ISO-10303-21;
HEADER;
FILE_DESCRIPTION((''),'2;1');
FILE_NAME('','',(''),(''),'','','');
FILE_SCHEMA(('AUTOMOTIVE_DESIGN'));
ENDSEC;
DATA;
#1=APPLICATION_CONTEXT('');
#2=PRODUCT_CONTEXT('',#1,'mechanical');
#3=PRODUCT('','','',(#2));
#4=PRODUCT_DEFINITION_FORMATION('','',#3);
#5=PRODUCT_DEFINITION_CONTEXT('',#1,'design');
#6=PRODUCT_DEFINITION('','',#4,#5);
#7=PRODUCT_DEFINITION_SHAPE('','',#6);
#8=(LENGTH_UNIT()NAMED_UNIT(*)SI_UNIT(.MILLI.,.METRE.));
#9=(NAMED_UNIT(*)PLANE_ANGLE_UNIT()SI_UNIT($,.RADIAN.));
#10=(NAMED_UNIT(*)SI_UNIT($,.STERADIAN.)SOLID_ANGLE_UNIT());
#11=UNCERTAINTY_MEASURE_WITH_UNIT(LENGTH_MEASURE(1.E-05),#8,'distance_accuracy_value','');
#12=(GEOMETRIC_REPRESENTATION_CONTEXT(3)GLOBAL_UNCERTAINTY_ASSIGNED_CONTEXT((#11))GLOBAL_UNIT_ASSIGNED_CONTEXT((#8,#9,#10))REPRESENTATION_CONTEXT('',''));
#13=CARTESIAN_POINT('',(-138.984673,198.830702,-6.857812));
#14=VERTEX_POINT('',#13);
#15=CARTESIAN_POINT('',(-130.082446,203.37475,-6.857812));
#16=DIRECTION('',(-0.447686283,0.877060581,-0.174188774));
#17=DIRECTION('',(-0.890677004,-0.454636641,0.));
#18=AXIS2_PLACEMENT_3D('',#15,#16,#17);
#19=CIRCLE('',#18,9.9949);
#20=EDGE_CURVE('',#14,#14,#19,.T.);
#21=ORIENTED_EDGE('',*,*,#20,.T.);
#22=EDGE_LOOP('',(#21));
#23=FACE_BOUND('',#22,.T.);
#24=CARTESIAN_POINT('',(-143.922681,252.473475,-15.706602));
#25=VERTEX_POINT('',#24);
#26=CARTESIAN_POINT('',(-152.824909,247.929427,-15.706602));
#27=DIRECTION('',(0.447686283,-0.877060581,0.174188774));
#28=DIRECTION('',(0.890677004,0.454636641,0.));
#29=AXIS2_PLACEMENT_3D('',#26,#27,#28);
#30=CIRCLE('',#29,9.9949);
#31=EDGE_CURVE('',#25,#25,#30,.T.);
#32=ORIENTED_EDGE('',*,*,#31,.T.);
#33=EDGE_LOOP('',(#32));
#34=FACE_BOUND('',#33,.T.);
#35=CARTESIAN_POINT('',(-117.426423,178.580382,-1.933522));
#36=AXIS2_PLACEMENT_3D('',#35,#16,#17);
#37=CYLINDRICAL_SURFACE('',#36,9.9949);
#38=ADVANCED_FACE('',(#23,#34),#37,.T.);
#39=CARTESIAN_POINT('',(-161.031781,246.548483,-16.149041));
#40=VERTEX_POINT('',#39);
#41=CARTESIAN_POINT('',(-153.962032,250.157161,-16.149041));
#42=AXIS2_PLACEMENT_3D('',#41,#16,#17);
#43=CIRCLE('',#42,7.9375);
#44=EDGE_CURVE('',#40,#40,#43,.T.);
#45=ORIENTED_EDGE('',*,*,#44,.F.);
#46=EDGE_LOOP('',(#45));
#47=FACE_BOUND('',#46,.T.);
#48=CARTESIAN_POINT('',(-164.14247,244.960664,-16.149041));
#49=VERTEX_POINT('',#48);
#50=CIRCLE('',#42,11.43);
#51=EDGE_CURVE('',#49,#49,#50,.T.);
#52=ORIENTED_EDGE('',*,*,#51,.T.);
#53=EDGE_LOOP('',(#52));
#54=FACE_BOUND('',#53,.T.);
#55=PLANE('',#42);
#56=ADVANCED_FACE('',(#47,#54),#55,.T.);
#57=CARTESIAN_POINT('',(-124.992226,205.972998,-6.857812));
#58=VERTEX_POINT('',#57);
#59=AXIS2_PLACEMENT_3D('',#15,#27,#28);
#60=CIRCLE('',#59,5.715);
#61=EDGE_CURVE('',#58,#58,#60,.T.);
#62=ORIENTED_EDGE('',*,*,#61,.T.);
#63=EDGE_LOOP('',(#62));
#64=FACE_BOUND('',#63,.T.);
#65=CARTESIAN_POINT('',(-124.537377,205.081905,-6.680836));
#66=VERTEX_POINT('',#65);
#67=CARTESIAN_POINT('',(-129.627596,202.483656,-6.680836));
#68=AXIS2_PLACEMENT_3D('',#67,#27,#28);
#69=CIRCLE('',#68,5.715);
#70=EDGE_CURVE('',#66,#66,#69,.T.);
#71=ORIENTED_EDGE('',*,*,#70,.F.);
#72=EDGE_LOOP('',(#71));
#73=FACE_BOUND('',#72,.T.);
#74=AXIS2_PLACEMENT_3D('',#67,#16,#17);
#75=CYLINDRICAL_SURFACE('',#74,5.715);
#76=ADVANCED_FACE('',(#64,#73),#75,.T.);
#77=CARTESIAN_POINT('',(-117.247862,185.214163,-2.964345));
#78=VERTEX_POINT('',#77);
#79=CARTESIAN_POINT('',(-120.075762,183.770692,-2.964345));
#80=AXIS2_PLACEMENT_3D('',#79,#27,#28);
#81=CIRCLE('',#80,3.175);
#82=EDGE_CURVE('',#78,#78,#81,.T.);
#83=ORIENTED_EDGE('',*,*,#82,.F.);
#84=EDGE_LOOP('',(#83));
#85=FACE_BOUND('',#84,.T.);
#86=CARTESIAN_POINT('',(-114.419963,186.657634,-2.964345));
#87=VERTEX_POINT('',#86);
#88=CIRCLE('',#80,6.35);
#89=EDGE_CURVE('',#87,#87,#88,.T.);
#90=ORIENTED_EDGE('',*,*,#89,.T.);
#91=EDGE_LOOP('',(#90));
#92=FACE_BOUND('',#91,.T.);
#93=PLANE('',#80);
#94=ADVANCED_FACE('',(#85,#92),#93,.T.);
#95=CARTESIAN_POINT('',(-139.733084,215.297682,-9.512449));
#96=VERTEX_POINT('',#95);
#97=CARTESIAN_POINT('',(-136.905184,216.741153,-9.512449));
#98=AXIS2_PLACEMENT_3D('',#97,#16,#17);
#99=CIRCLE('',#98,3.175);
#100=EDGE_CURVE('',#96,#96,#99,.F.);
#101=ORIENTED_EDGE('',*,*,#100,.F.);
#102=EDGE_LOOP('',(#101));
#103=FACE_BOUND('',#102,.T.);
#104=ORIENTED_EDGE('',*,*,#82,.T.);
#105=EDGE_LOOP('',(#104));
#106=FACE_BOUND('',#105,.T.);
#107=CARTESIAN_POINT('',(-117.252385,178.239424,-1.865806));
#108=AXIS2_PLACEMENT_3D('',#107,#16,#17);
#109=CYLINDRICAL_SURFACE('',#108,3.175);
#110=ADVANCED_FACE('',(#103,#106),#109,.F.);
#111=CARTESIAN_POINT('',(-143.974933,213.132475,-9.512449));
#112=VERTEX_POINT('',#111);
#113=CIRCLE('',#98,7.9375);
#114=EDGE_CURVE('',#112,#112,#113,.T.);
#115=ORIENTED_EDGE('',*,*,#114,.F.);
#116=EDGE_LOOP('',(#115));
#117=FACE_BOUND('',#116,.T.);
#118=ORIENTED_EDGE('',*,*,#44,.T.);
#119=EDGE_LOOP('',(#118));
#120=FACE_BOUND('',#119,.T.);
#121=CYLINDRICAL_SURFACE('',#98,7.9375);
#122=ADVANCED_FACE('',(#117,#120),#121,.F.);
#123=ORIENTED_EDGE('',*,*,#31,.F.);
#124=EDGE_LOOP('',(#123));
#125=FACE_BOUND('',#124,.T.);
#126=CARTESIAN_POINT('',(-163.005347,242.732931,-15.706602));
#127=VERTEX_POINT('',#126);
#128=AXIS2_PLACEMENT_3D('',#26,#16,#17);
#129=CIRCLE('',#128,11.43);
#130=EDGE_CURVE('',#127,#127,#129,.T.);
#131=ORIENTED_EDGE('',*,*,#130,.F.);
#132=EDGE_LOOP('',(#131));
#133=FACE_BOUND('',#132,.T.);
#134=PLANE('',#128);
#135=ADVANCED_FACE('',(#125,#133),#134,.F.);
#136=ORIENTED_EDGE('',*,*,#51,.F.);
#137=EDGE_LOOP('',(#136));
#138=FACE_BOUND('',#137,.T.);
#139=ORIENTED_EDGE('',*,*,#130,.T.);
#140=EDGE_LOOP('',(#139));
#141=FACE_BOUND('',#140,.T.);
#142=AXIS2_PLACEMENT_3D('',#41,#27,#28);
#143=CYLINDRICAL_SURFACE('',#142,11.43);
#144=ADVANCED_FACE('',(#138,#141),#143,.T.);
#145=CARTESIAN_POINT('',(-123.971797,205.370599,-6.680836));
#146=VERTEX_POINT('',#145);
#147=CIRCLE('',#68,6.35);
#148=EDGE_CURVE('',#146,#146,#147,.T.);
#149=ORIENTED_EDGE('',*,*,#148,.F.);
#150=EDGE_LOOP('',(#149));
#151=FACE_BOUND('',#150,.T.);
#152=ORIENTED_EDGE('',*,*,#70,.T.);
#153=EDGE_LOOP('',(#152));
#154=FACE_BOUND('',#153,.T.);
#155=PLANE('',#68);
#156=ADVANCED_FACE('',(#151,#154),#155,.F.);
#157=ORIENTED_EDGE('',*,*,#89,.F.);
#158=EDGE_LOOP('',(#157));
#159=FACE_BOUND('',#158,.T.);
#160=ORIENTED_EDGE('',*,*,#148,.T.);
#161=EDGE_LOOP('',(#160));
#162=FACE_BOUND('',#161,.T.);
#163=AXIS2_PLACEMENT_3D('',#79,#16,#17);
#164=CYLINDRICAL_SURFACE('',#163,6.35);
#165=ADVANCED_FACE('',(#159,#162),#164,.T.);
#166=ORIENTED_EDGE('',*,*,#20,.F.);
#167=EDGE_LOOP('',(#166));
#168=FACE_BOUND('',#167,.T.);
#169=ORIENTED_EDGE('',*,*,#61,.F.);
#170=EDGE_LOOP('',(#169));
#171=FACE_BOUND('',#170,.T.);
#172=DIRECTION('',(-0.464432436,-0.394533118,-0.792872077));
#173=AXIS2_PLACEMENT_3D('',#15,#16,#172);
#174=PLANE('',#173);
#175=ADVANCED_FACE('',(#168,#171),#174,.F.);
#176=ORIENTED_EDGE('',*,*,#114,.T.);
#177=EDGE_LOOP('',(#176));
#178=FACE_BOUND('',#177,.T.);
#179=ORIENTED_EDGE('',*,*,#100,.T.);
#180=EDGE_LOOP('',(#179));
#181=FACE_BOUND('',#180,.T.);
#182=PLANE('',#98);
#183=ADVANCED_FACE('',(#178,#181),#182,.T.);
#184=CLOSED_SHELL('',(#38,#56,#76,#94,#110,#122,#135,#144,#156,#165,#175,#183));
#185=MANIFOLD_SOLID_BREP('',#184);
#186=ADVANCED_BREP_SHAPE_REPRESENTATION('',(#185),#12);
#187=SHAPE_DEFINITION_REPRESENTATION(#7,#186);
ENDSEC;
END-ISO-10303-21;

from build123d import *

# Parameters (mm, degrees)
SKETCH1_R           = 11.43
BOSS_EXTRUDE1_DEPTH = 2.54
SKETCH2_R           = 9.9949
BOSS_EXTRUDE2_DEPTH = 50.8
SKETCH3_R           = 5.715
BOSS_EXTRUDE3_DEPTH = 1.016
SKETCH4_R           = 6.35
BOSS_EXTRUDE4_DEPTH = 21.336
SKETCH5_R           = 3.175
CUT_EXTRUDE1_DEPTH  = 99.13815411
SKETCH6_R           = 7.9375
CUT_EXTRUDE2_DEPTH  = 38.1


with BuildPart() as part:
    # Sketch1 → Boss-Extrude1 (new body)
    with BuildSketch(Plane(origin=(-129.203450499, 253.122013832, -50.271342949), x_dir=(0.8839119577418659, 0.40461078724322996, -0.23449895907520743), z_dir=(-0.4476862825736014, 0.8770605813697528, -0.1741887740435096))):
        with Locations(Location((-31.085661697, -28.519102589, 0), (0, 0, 166.223237714))):
            Circle(SKETCH1_R)
    extrude(amount=BOSS_EXTRUDE1_DEPTH)

    # Sketch2 → Boss-Extrude2 (add)
    with BuildSketch(Plane(origin=(-129.203450499, 253.122013832, -50.271342949), x_dir=(-0.8839119577418658, -0.4046107872432301, 0.23449895907520704), z_dir=(0.44768628257360144, -0.8770605813697528, 0.17418877404350955))):
        with Locations(Location((31.085661697, -28.519102589, 0), (0, 0, 13.776762286))):
            Circle(SKETCH2_R)
    extrude(amount=BOSS_EXTRUDE2_DEPTH)

    # Sketch3 → Boss-Extrude3 (add)
    with BuildSketch(Plane(origin=(-106.460987345, 208.567336298, -41.422553227), x_dir=(-0.8839119577418658, -0.40461078724323, 0.2344989590752073), z_dir=(0.44768628257360144, -0.8770605813697528, 0.17418877404350946))):
        with Locations(Location((31.085661697, -28.519102589, 0), (0, 0, 193.776762286))):
            Circle(SKETCH3_R)
    extrude(amount=BOSS_EXTRUDE3_DEPTH)

    # Sketch4 → Boss-Extrude4 (add)
    with BuildSketch(Plane(origin=(-106.006138081, 207.676242747, -41.245577433), x_dir=(-0.8839119577418657, -0.40461078724322985, 0.23449895907520799), z_dir=(0.4476862825736014, -0.8770605813697527, 0.1741887740435095))):
        with Locations(Location((31.085661697, -28.519102589, 0), (0, 0, 193.776762286))):
            Circle(SKETCH4_R)
    extrude(amount=BOSS_EXTRUDE4_DEPTH)

    # Sketch5 → Cut-Extrude1 (cut, through all)
    with BuildSketch(Plane(origin=(-130.340573657, 255.349747708, -50.713782435), x_dir=(0.8839119577418658, 0.40461078724323, -0.2344989590752073), z_dir=(-0.4476862825736014, 0.8770605813697528, -0.1741887740435095))):
        with Locations(Location((-31.085661697, -28.519102589, 0), (0, 0, 166.223237714))):
            Circle(SKETCH5_R)
    extrude(amount=-CUT_EXTRUDE1_DEPTH, mode=Mode.SUBTRACT)

    # Sketch6 → Cut-Extrude2 (cut)
    with BuildSketch(Plane(origin=(-130.340573657, 255.349747708, -50.713782435), x_dir=(0.8839119577418658, 0.40461078724323, -0.2344989590752073), z_dir=(-0.4476862825736014, 0.8770605813697528, -0.1741887740435095))):
        with Locations(Location((-31.085661697, -28.519102589, 0), (0, 0, 166.223237714))):
            Circle(SKETCH6_R)
    extrude(amount=-CUT_EXTRUDE2_DEPTH, mode=Mode.SUBTRACT)


solid = part.part
